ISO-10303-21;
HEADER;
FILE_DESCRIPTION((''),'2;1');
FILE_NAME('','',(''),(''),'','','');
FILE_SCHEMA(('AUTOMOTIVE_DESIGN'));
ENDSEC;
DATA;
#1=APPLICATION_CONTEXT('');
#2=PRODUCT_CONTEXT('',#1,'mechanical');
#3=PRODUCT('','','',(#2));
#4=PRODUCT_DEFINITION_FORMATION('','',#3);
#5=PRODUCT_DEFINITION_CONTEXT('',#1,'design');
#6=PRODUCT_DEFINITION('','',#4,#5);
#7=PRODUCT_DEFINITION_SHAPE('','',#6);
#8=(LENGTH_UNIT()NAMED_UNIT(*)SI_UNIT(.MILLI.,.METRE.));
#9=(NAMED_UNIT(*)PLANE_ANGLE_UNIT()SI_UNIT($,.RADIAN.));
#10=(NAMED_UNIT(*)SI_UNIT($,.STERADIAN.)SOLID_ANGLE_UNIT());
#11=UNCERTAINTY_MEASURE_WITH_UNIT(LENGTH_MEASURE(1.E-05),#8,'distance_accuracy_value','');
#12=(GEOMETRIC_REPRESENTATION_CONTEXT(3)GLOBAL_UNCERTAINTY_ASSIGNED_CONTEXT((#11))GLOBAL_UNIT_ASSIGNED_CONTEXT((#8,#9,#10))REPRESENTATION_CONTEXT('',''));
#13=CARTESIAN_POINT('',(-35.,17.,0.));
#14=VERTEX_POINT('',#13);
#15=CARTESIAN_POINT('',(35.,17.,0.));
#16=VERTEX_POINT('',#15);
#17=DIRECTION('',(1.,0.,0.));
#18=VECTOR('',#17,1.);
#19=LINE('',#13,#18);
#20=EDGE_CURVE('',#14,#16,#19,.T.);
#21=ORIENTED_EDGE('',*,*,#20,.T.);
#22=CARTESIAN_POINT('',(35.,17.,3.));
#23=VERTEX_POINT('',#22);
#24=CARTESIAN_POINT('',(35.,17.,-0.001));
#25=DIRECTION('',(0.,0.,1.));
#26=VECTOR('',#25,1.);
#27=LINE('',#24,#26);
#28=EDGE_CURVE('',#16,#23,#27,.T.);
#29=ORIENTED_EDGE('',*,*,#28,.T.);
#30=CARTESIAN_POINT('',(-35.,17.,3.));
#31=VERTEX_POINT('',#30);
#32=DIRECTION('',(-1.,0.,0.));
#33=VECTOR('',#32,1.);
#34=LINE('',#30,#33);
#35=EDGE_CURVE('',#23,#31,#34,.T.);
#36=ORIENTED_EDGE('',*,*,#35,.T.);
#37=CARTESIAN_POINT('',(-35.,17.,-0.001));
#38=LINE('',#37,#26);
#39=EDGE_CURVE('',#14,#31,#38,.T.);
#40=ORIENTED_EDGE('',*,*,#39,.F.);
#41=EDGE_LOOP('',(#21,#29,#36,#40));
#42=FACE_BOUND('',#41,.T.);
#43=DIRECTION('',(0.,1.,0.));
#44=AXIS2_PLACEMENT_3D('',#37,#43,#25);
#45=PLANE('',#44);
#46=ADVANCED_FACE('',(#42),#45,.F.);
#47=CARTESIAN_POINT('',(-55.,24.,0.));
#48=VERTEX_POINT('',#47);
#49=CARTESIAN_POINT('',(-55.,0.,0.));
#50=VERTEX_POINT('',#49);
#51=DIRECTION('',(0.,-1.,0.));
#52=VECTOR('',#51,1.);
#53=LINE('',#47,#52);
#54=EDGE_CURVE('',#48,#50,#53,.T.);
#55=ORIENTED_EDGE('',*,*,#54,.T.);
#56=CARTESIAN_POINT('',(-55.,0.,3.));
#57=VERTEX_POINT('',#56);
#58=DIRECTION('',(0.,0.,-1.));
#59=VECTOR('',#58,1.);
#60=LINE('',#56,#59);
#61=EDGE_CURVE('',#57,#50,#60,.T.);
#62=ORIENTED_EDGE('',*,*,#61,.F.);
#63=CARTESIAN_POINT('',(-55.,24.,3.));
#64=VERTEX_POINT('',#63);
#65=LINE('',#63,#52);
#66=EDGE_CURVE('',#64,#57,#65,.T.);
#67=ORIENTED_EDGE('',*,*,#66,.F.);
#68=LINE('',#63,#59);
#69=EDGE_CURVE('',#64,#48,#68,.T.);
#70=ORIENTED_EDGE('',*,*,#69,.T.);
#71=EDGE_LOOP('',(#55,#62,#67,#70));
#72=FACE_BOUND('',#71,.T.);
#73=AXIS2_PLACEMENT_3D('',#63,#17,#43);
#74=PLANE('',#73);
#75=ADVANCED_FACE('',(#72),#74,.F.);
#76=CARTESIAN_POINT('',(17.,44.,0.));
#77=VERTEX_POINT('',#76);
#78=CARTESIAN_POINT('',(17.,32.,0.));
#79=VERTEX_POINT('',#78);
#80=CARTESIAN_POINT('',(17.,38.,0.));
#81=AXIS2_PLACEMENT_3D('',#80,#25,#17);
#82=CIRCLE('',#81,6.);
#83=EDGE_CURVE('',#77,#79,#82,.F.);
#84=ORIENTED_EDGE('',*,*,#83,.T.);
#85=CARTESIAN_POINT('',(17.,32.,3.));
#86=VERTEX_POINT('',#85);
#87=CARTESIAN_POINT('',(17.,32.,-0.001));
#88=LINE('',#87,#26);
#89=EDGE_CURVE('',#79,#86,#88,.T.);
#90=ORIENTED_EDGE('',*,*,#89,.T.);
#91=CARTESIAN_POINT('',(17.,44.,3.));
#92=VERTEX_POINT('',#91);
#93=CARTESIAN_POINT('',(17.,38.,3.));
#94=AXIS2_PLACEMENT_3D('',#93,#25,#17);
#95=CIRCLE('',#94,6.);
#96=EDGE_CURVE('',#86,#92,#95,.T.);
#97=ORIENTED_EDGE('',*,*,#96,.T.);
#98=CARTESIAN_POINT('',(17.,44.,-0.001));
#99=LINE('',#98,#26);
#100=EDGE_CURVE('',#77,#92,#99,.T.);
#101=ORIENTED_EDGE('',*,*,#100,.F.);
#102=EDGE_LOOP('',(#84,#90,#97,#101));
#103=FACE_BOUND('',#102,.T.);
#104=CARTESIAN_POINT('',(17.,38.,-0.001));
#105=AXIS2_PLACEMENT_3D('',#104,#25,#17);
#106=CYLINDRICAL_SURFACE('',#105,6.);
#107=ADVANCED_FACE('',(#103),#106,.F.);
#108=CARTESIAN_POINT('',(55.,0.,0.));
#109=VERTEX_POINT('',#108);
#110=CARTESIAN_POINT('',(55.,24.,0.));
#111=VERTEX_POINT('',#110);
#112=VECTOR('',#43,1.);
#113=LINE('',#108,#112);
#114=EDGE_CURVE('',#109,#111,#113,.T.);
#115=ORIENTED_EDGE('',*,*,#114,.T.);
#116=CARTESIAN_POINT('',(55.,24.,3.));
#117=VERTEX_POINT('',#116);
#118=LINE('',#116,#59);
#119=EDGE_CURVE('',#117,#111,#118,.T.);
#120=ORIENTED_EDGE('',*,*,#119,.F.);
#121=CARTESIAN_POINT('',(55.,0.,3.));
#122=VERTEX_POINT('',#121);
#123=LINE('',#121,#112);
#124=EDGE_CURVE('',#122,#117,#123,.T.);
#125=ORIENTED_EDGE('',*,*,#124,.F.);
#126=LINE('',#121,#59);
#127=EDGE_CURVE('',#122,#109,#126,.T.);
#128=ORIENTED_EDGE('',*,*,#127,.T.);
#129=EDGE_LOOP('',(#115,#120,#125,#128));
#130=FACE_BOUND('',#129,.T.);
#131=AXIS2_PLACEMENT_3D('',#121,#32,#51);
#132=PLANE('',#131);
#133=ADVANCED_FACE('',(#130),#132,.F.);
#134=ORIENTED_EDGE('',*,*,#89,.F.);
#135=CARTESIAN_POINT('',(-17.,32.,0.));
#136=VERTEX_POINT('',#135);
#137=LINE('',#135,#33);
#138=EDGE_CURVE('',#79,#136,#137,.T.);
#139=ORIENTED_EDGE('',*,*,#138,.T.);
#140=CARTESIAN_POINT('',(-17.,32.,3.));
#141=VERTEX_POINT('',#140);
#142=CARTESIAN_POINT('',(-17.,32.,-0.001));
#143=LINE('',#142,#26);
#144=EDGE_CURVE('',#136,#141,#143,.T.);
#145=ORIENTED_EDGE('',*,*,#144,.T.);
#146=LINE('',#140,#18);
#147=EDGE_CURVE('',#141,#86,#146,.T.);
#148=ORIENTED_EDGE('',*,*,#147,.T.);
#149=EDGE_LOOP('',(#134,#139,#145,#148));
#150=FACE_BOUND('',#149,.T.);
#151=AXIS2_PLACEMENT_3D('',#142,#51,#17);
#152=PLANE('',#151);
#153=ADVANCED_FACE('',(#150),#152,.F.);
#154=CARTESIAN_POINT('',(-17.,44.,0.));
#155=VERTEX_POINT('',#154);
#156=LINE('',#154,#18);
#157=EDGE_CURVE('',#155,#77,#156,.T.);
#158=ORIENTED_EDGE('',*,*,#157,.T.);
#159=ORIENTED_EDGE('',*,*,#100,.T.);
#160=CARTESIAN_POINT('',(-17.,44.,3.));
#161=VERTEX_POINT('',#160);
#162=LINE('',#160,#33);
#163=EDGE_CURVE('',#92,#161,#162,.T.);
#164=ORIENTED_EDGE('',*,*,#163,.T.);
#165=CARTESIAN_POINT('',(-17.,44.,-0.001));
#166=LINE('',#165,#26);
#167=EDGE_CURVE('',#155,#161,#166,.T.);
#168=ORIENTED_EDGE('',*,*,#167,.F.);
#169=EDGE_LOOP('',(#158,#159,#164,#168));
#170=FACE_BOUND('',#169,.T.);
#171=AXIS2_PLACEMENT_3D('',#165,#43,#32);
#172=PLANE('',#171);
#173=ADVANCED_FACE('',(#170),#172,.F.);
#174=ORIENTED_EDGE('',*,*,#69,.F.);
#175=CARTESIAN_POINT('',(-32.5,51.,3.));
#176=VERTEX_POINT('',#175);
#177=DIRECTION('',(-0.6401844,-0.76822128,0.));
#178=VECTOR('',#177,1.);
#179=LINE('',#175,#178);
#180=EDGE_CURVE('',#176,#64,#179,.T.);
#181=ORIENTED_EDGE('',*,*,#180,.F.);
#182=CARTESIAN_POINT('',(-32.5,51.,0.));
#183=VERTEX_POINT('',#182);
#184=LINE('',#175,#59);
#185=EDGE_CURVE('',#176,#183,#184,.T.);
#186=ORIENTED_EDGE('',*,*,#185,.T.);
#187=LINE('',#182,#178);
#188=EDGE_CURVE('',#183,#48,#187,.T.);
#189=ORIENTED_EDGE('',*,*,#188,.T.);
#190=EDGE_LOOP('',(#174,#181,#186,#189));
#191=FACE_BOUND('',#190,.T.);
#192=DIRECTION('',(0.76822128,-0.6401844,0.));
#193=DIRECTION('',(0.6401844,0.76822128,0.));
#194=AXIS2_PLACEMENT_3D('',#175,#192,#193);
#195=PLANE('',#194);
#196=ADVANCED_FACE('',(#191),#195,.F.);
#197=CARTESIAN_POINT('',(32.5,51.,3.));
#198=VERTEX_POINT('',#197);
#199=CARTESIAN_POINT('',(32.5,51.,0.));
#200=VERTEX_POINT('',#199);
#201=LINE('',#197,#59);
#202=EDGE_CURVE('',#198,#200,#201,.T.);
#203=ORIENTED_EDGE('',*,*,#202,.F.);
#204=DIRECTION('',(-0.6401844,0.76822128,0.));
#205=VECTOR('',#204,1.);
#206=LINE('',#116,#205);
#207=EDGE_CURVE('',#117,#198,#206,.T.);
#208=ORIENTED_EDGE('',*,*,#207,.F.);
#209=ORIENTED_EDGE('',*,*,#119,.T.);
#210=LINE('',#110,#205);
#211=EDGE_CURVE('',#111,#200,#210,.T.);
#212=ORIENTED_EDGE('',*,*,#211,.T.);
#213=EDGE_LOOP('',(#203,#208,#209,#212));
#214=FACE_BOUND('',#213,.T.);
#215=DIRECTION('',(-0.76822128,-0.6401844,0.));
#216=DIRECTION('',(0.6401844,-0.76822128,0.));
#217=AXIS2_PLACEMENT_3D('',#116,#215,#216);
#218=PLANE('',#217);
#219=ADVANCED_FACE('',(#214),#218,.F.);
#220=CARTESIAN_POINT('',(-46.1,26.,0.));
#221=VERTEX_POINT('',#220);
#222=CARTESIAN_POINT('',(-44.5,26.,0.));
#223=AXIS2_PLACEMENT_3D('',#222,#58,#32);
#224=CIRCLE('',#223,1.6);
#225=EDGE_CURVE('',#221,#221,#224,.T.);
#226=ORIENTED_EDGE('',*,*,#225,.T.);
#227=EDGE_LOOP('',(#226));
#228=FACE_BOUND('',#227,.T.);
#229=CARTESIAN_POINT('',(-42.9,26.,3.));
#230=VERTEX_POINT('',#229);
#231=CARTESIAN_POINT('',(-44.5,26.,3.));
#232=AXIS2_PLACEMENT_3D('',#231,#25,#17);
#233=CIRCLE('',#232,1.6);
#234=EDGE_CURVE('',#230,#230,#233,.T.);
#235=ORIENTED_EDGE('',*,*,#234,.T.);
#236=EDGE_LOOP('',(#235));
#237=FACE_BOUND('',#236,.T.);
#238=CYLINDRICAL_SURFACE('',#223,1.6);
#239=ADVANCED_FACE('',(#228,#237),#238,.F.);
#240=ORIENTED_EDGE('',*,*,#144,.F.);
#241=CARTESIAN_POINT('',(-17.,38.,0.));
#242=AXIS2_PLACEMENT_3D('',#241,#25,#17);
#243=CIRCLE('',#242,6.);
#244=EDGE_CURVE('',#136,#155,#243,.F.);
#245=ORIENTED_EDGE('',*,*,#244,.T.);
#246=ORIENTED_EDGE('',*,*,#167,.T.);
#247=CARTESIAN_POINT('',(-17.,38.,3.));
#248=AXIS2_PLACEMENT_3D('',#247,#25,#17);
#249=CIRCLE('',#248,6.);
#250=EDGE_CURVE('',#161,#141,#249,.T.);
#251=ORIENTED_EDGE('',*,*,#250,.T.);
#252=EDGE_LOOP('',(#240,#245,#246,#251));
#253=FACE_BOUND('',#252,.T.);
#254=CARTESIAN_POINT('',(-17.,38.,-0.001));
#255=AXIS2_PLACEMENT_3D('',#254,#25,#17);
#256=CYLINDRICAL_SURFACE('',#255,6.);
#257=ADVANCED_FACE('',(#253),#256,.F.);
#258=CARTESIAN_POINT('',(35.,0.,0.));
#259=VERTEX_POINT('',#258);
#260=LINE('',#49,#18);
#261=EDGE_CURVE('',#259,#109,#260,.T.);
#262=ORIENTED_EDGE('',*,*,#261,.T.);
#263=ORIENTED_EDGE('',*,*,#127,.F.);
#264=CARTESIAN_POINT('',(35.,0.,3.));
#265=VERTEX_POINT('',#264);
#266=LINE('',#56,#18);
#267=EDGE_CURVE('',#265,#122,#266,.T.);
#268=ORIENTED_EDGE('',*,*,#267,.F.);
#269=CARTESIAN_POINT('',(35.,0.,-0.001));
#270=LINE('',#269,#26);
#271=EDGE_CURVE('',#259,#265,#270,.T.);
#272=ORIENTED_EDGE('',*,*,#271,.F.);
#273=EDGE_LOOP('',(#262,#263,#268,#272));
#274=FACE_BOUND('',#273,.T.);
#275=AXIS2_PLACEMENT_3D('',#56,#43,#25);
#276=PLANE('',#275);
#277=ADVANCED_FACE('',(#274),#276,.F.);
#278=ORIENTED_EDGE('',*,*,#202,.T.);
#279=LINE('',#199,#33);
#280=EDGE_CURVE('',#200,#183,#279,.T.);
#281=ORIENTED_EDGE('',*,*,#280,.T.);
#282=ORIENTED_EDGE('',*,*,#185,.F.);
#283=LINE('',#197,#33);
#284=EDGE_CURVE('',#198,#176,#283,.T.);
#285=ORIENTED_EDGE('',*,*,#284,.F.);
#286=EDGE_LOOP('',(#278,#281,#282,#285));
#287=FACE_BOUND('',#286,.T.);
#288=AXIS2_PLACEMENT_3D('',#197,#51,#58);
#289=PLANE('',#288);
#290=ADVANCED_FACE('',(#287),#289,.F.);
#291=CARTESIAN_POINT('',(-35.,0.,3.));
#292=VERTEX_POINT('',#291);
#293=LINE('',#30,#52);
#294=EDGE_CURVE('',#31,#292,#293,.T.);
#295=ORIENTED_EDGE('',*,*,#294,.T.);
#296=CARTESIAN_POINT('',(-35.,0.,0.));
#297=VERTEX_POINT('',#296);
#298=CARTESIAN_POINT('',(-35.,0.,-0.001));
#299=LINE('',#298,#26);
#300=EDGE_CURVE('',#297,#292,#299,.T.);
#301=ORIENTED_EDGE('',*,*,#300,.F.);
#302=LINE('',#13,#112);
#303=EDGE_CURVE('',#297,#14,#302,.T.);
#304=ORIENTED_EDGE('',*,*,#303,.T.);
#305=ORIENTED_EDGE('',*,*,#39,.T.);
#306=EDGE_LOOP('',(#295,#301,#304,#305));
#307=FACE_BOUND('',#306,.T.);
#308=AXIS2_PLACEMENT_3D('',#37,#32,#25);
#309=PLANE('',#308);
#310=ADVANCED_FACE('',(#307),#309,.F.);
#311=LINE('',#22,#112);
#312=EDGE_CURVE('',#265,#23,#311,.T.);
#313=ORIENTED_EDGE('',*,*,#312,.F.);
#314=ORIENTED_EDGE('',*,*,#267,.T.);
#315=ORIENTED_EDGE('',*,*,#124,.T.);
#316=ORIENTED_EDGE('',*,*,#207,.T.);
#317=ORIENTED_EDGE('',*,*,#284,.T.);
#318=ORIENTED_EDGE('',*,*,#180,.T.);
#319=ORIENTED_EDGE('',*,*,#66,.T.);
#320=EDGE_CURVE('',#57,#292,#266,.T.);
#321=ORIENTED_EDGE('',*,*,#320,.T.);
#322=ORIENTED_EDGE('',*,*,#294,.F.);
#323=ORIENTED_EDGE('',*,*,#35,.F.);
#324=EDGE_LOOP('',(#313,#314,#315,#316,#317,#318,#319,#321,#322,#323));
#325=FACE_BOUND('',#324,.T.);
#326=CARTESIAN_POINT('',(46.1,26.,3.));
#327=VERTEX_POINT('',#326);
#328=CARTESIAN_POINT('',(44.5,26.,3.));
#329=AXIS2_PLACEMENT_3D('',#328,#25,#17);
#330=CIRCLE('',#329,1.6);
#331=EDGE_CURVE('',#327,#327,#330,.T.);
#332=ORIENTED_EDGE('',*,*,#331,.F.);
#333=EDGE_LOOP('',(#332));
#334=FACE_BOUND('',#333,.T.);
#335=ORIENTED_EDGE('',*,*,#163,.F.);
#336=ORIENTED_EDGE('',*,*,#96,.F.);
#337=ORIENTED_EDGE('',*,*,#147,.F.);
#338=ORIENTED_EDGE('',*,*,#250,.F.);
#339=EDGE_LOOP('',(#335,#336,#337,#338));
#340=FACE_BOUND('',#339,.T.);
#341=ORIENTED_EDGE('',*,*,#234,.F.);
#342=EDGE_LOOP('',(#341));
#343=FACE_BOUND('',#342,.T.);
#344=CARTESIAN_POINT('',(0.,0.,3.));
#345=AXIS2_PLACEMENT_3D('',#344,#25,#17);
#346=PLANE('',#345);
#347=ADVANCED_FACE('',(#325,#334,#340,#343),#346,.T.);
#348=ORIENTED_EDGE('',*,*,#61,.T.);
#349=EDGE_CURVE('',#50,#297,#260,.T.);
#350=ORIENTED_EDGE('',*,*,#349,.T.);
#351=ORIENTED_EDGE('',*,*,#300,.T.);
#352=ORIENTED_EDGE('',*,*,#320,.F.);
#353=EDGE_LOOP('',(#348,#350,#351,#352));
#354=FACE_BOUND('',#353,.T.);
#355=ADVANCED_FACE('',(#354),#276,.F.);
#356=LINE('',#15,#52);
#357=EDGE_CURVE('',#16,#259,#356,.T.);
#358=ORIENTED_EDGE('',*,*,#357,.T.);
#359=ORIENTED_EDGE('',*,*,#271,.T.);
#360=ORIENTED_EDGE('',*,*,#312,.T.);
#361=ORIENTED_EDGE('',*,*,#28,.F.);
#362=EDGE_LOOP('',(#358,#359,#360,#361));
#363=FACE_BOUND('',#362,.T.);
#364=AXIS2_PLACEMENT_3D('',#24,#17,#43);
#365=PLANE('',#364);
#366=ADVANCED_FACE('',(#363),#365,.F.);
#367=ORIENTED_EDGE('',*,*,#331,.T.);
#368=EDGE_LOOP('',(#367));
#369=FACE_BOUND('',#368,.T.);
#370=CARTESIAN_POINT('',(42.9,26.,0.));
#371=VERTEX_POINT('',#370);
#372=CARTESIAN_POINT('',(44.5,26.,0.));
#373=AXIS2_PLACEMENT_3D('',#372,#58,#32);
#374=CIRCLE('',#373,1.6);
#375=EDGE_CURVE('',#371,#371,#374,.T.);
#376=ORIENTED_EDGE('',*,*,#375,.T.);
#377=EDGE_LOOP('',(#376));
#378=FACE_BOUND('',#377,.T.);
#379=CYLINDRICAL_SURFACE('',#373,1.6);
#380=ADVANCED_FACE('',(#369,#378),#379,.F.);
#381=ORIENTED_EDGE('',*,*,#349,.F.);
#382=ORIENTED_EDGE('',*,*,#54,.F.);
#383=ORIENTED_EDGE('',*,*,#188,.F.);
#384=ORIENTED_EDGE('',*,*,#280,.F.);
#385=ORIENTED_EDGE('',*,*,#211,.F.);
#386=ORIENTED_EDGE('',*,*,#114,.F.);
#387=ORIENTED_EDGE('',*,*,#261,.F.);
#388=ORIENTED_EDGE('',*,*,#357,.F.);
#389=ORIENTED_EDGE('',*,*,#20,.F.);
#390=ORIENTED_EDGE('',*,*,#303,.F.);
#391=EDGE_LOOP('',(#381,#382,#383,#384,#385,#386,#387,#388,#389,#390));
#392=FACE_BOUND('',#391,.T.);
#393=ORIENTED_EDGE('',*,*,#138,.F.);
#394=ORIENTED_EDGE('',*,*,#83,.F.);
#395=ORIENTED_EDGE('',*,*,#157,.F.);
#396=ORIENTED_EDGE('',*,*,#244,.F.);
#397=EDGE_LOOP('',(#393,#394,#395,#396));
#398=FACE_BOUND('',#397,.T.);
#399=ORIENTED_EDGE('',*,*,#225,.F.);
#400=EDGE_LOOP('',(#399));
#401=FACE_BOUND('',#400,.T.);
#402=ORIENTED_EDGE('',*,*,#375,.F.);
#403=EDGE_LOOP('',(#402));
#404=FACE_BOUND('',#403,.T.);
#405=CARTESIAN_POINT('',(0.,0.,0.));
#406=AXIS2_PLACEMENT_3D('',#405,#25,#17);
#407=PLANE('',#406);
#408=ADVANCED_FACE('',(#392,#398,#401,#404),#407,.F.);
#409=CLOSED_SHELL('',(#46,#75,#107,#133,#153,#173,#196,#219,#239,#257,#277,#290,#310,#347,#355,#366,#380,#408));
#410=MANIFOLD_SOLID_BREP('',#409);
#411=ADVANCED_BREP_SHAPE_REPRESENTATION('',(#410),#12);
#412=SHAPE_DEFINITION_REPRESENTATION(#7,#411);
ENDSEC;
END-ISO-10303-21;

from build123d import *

# Parameters (mm, degrees)
SALIENTE_EXTRUIR1_DEPTH          = 3
TALADRO_DE_MARGEN_PARA_M31_D     = 3.2
TALADRO_DE_MARGEN_PARA_M31_DEPTH = 5
TALADRO_DE_MARGEN_PARA_M31_TIP   = 0.96137699
CORTAR_EXTRUIR1_REACH            = 77.067
CROQUIS4_W                       = 70
CROQUIS4_H                       = 17
CORTAR_EXTRUIR2_REACH            = 77.067


with BuildPart() as part:
    # Croquis1 → Saliente-Extruir1 (new body)
    with BuildSketch(Plane.XY):
        Polygon((-55, 0), (55, 0), (55, 24), (32.5, 51), (-32.5, 51), (-55, 24), align=None)
    extrude(amount=SALIENTE_EXTRUIR1_DEPTH)

    # Taladro de margen para M31
    with Locations(Plane(origin=(44.5, 26, 0), x_dir=(-1, 0, 0), z_dir=(0, 0, -1))):
        with Locations((0, 0), (89, 0)):
            Hole(TALADRO_DE_MARGEN_PARA_M31_D / 2, depth=TALADRO_DE_MARGEN_PARA_M31_DEPTH)
            with Locations((0, 0, -(TALADRO_DE_MARGEN_PARA_M31_DEPTH + TALADRO_DE_MARGEN_PARA_M31_TIP / 2))):  # 118° drill point
                Cone(0, TALADRO_DE_MARGEN_PARA_M31_D / 2, TALADRO_DE_MARGEN_PARA_M31_TIP, mode=Mode.SUBTRACT)

    # Croquis4 → Cortar-Extruir1 (cut, up to next)
    with BuildSketch(Plane.XY.offset(3), mode=Mode.PRIVATE) as cortar_extruir1_sk1:
        with Locations((0, 8.5)):
            Rectangle(CROQUIS4_W, CROQUIS4_H)
    cortar_extruir1_tool1 = extrude(cortar_extruir1_sk1.sketch, amount=-CORTAR_EXTRUIR1_REACH, mode=Mode.PRIVATE) & part.part
    add(cortar_extruir1_tool1.solids().sort_by_distance((0, 8.5, 3))[0], mode=Mode.SUBTRACT)

    # Croquis5 → Cortar-Extruir2 (cut, up to next)
    with BuildSketch(Plane.XY.offset(3), mode=Mode.PRIVATE) as cortar_extruir2_sk1:
        with BuildLine():
            Line((-17, 44), (17, 44))
            ThreePointArc((17, 44), (23, 38), (17, 32))
            Line((17, 32), (-17, 32))
            ThreePointArc((-17, 32), (-23, 38), (-17, 44))
        make_face()
    cortar_extruir2_tool1 = extrude(cortar_extruir2_sk1.sketch, amount=-CORTAR_EXTRUIR2_REACH, mode=Mode.PRIVATE) & part.part
    add(cortar_extruir2_tool1.solids().sort_by_distance((0, 38, 3))[0], mode=Mode.SUBTRACT)


solid = part.part
